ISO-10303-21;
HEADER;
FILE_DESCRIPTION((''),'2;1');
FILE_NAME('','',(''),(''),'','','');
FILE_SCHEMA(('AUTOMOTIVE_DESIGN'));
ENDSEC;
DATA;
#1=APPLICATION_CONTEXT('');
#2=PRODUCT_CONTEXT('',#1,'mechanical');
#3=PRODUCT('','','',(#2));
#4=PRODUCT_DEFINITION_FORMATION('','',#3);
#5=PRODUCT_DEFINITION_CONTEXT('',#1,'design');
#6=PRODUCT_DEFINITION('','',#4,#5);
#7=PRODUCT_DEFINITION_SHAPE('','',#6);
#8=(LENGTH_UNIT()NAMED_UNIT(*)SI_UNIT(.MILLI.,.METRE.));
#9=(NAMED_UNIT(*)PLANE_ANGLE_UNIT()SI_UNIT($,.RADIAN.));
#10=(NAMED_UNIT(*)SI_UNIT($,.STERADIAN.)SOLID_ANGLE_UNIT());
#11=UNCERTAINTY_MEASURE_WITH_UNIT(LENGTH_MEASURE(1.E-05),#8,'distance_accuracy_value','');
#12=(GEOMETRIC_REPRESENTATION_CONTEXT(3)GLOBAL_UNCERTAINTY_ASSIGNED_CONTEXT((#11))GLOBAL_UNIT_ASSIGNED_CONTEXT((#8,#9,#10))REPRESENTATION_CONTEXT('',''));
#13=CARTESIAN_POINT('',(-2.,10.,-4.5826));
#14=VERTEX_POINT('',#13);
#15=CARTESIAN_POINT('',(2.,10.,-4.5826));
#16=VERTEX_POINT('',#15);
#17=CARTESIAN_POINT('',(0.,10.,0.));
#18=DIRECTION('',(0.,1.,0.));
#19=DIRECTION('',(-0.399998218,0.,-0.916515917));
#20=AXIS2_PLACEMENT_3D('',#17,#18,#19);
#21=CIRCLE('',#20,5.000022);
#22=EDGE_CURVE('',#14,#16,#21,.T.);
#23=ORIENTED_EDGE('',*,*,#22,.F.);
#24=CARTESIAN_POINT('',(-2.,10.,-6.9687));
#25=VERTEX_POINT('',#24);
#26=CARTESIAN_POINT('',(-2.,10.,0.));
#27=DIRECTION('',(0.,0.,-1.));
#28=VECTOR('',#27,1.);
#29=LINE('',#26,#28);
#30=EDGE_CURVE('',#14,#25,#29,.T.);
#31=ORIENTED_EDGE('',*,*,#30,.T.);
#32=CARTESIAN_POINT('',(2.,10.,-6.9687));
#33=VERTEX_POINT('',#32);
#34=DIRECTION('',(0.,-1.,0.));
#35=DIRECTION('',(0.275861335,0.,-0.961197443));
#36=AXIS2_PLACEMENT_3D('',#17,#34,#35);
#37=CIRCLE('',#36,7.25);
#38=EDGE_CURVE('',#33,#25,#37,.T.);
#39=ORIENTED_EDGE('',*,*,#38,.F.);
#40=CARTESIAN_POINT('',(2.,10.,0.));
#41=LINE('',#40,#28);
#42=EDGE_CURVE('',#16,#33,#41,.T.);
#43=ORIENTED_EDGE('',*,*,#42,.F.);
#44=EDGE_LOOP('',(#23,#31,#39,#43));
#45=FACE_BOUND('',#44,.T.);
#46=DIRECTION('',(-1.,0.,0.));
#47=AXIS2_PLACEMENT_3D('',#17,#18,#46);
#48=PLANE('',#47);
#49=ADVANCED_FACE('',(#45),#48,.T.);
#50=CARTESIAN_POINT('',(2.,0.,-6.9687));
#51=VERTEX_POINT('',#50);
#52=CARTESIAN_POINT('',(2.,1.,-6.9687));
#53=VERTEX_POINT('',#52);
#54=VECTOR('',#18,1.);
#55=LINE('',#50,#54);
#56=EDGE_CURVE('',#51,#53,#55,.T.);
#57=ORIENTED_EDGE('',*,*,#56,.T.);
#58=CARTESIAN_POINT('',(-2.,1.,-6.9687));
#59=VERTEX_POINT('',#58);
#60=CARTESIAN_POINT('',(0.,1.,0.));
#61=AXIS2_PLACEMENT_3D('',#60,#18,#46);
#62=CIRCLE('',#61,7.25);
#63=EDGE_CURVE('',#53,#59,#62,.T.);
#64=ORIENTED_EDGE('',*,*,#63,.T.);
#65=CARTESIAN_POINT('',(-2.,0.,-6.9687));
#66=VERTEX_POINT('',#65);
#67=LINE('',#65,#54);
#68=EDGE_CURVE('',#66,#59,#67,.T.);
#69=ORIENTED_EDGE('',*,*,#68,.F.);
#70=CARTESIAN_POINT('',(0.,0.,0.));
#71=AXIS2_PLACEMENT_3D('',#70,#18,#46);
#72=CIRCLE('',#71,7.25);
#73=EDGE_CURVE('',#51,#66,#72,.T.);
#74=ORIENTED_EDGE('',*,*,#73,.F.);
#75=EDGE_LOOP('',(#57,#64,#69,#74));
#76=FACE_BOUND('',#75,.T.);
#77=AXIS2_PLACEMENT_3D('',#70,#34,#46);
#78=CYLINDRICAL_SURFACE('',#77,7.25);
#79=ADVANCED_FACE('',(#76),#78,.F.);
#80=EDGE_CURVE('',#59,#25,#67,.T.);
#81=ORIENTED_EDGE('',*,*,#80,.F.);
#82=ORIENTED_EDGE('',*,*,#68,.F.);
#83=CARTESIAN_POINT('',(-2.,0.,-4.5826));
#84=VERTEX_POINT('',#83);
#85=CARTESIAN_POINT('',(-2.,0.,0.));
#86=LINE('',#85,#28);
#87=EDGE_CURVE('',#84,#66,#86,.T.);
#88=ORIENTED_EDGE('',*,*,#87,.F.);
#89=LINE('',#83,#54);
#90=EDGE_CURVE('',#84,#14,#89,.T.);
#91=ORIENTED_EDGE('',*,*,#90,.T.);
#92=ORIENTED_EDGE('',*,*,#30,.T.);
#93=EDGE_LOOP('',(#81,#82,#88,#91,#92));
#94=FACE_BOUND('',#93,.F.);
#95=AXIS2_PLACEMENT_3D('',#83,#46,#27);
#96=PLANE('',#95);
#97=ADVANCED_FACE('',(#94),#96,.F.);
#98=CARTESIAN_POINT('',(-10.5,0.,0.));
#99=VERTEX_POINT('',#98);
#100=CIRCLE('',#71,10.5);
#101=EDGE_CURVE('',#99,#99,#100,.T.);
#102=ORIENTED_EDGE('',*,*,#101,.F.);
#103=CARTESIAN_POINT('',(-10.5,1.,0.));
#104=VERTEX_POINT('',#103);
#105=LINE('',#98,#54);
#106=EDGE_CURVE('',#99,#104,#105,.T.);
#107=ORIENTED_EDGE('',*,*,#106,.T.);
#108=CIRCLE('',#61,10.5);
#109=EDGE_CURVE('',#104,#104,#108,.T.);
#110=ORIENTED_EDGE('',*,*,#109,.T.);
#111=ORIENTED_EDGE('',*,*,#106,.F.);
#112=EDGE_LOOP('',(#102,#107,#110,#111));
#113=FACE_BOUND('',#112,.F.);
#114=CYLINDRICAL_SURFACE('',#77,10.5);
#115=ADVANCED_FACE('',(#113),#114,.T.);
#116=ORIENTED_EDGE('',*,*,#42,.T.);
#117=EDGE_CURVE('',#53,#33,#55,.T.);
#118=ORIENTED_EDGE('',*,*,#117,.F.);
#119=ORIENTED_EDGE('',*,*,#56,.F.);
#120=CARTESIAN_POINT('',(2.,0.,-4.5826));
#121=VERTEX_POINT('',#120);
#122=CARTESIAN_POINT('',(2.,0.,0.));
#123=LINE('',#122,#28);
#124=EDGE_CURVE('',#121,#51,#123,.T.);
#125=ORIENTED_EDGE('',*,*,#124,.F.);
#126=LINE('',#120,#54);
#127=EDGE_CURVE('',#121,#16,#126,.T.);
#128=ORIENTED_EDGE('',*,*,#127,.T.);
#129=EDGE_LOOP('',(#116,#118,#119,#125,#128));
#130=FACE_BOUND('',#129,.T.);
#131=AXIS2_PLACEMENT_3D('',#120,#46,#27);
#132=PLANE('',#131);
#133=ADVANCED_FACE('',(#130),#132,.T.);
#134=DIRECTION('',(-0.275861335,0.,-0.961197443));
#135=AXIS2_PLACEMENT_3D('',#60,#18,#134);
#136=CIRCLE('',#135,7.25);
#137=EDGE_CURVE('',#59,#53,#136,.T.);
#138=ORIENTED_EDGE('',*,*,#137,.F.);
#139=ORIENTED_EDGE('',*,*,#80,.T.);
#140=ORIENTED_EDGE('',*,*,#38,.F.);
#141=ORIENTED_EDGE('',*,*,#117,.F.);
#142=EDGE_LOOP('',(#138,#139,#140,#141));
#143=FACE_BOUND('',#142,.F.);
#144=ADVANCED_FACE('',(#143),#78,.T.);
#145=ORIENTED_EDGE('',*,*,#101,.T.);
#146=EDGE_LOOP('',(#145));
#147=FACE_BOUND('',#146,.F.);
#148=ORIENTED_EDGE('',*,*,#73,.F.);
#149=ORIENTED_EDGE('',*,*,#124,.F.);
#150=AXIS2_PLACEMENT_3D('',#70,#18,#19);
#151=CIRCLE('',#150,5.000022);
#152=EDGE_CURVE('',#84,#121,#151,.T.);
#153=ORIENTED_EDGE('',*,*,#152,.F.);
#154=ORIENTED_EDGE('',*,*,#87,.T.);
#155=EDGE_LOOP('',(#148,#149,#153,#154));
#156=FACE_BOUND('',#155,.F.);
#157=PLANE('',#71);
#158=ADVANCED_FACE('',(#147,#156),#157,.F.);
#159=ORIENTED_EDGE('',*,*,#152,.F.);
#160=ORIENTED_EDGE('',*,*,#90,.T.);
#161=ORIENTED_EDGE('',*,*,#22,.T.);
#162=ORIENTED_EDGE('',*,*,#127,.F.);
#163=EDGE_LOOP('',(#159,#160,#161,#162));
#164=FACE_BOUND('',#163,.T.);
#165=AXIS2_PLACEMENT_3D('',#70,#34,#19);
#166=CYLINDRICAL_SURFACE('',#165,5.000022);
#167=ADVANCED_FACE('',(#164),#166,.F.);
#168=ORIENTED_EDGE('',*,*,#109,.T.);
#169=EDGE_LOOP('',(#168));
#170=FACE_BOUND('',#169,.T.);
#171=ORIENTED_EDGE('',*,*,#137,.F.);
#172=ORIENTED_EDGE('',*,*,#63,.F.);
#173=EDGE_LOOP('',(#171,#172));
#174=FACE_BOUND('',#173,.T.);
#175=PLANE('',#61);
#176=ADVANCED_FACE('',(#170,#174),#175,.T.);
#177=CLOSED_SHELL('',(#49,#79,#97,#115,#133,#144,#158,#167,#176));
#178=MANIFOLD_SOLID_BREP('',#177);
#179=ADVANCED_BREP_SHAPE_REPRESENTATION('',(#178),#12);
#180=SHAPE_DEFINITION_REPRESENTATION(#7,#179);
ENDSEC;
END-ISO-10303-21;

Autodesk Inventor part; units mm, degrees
ref_plane "YZ Plane" through (0, 0, 0) normal (1, 0, 0) x (0, 1, 0)
ref_plane "XZ Plane" through (0, 0, 0) normal (0, 1, 0) x (-1, 0, 0)
ref_plane "XY Plane" through (0, 0, 0) normal (0, 0, 1) x (1, 0, 0)
sketch "Sketch1" plane through (0, 0, 0) normal (0, 1, 0) x (-1, 0, 0)
  circle A0 centre (0, 0) radius 7.25
  arc A1 (2, -4.5826) -> (-2, -4.5826) centre (0, 0) ccw
  line L0 (0, 0) -> (2, 0)
  line L1 (0, 0) -> (2, 0)
  line L2 (2, 0) -> (2, -6.9687)
  line L3 (0, 0) -> (-2, 0)
  line L4 (-2, 0) -> (-2, -6.9687)
  circle A2 centre (0, 0) radius 10.5
  dimension "d0" = 14.5
  dimension "d1" = 10
  dimension "d2" = 2
  dimension "d3" = 2
  dimension "d4" = 2
  dimension "d5" = 21
extrude "Extrusion1" add sketch "Sketch1" along normal blind 10 contours A0 L2 A1 L4
extrude "Extrusion2" add sketch "Sketch1" along normal blind 1
properties part number "slip_ring_i_2"
